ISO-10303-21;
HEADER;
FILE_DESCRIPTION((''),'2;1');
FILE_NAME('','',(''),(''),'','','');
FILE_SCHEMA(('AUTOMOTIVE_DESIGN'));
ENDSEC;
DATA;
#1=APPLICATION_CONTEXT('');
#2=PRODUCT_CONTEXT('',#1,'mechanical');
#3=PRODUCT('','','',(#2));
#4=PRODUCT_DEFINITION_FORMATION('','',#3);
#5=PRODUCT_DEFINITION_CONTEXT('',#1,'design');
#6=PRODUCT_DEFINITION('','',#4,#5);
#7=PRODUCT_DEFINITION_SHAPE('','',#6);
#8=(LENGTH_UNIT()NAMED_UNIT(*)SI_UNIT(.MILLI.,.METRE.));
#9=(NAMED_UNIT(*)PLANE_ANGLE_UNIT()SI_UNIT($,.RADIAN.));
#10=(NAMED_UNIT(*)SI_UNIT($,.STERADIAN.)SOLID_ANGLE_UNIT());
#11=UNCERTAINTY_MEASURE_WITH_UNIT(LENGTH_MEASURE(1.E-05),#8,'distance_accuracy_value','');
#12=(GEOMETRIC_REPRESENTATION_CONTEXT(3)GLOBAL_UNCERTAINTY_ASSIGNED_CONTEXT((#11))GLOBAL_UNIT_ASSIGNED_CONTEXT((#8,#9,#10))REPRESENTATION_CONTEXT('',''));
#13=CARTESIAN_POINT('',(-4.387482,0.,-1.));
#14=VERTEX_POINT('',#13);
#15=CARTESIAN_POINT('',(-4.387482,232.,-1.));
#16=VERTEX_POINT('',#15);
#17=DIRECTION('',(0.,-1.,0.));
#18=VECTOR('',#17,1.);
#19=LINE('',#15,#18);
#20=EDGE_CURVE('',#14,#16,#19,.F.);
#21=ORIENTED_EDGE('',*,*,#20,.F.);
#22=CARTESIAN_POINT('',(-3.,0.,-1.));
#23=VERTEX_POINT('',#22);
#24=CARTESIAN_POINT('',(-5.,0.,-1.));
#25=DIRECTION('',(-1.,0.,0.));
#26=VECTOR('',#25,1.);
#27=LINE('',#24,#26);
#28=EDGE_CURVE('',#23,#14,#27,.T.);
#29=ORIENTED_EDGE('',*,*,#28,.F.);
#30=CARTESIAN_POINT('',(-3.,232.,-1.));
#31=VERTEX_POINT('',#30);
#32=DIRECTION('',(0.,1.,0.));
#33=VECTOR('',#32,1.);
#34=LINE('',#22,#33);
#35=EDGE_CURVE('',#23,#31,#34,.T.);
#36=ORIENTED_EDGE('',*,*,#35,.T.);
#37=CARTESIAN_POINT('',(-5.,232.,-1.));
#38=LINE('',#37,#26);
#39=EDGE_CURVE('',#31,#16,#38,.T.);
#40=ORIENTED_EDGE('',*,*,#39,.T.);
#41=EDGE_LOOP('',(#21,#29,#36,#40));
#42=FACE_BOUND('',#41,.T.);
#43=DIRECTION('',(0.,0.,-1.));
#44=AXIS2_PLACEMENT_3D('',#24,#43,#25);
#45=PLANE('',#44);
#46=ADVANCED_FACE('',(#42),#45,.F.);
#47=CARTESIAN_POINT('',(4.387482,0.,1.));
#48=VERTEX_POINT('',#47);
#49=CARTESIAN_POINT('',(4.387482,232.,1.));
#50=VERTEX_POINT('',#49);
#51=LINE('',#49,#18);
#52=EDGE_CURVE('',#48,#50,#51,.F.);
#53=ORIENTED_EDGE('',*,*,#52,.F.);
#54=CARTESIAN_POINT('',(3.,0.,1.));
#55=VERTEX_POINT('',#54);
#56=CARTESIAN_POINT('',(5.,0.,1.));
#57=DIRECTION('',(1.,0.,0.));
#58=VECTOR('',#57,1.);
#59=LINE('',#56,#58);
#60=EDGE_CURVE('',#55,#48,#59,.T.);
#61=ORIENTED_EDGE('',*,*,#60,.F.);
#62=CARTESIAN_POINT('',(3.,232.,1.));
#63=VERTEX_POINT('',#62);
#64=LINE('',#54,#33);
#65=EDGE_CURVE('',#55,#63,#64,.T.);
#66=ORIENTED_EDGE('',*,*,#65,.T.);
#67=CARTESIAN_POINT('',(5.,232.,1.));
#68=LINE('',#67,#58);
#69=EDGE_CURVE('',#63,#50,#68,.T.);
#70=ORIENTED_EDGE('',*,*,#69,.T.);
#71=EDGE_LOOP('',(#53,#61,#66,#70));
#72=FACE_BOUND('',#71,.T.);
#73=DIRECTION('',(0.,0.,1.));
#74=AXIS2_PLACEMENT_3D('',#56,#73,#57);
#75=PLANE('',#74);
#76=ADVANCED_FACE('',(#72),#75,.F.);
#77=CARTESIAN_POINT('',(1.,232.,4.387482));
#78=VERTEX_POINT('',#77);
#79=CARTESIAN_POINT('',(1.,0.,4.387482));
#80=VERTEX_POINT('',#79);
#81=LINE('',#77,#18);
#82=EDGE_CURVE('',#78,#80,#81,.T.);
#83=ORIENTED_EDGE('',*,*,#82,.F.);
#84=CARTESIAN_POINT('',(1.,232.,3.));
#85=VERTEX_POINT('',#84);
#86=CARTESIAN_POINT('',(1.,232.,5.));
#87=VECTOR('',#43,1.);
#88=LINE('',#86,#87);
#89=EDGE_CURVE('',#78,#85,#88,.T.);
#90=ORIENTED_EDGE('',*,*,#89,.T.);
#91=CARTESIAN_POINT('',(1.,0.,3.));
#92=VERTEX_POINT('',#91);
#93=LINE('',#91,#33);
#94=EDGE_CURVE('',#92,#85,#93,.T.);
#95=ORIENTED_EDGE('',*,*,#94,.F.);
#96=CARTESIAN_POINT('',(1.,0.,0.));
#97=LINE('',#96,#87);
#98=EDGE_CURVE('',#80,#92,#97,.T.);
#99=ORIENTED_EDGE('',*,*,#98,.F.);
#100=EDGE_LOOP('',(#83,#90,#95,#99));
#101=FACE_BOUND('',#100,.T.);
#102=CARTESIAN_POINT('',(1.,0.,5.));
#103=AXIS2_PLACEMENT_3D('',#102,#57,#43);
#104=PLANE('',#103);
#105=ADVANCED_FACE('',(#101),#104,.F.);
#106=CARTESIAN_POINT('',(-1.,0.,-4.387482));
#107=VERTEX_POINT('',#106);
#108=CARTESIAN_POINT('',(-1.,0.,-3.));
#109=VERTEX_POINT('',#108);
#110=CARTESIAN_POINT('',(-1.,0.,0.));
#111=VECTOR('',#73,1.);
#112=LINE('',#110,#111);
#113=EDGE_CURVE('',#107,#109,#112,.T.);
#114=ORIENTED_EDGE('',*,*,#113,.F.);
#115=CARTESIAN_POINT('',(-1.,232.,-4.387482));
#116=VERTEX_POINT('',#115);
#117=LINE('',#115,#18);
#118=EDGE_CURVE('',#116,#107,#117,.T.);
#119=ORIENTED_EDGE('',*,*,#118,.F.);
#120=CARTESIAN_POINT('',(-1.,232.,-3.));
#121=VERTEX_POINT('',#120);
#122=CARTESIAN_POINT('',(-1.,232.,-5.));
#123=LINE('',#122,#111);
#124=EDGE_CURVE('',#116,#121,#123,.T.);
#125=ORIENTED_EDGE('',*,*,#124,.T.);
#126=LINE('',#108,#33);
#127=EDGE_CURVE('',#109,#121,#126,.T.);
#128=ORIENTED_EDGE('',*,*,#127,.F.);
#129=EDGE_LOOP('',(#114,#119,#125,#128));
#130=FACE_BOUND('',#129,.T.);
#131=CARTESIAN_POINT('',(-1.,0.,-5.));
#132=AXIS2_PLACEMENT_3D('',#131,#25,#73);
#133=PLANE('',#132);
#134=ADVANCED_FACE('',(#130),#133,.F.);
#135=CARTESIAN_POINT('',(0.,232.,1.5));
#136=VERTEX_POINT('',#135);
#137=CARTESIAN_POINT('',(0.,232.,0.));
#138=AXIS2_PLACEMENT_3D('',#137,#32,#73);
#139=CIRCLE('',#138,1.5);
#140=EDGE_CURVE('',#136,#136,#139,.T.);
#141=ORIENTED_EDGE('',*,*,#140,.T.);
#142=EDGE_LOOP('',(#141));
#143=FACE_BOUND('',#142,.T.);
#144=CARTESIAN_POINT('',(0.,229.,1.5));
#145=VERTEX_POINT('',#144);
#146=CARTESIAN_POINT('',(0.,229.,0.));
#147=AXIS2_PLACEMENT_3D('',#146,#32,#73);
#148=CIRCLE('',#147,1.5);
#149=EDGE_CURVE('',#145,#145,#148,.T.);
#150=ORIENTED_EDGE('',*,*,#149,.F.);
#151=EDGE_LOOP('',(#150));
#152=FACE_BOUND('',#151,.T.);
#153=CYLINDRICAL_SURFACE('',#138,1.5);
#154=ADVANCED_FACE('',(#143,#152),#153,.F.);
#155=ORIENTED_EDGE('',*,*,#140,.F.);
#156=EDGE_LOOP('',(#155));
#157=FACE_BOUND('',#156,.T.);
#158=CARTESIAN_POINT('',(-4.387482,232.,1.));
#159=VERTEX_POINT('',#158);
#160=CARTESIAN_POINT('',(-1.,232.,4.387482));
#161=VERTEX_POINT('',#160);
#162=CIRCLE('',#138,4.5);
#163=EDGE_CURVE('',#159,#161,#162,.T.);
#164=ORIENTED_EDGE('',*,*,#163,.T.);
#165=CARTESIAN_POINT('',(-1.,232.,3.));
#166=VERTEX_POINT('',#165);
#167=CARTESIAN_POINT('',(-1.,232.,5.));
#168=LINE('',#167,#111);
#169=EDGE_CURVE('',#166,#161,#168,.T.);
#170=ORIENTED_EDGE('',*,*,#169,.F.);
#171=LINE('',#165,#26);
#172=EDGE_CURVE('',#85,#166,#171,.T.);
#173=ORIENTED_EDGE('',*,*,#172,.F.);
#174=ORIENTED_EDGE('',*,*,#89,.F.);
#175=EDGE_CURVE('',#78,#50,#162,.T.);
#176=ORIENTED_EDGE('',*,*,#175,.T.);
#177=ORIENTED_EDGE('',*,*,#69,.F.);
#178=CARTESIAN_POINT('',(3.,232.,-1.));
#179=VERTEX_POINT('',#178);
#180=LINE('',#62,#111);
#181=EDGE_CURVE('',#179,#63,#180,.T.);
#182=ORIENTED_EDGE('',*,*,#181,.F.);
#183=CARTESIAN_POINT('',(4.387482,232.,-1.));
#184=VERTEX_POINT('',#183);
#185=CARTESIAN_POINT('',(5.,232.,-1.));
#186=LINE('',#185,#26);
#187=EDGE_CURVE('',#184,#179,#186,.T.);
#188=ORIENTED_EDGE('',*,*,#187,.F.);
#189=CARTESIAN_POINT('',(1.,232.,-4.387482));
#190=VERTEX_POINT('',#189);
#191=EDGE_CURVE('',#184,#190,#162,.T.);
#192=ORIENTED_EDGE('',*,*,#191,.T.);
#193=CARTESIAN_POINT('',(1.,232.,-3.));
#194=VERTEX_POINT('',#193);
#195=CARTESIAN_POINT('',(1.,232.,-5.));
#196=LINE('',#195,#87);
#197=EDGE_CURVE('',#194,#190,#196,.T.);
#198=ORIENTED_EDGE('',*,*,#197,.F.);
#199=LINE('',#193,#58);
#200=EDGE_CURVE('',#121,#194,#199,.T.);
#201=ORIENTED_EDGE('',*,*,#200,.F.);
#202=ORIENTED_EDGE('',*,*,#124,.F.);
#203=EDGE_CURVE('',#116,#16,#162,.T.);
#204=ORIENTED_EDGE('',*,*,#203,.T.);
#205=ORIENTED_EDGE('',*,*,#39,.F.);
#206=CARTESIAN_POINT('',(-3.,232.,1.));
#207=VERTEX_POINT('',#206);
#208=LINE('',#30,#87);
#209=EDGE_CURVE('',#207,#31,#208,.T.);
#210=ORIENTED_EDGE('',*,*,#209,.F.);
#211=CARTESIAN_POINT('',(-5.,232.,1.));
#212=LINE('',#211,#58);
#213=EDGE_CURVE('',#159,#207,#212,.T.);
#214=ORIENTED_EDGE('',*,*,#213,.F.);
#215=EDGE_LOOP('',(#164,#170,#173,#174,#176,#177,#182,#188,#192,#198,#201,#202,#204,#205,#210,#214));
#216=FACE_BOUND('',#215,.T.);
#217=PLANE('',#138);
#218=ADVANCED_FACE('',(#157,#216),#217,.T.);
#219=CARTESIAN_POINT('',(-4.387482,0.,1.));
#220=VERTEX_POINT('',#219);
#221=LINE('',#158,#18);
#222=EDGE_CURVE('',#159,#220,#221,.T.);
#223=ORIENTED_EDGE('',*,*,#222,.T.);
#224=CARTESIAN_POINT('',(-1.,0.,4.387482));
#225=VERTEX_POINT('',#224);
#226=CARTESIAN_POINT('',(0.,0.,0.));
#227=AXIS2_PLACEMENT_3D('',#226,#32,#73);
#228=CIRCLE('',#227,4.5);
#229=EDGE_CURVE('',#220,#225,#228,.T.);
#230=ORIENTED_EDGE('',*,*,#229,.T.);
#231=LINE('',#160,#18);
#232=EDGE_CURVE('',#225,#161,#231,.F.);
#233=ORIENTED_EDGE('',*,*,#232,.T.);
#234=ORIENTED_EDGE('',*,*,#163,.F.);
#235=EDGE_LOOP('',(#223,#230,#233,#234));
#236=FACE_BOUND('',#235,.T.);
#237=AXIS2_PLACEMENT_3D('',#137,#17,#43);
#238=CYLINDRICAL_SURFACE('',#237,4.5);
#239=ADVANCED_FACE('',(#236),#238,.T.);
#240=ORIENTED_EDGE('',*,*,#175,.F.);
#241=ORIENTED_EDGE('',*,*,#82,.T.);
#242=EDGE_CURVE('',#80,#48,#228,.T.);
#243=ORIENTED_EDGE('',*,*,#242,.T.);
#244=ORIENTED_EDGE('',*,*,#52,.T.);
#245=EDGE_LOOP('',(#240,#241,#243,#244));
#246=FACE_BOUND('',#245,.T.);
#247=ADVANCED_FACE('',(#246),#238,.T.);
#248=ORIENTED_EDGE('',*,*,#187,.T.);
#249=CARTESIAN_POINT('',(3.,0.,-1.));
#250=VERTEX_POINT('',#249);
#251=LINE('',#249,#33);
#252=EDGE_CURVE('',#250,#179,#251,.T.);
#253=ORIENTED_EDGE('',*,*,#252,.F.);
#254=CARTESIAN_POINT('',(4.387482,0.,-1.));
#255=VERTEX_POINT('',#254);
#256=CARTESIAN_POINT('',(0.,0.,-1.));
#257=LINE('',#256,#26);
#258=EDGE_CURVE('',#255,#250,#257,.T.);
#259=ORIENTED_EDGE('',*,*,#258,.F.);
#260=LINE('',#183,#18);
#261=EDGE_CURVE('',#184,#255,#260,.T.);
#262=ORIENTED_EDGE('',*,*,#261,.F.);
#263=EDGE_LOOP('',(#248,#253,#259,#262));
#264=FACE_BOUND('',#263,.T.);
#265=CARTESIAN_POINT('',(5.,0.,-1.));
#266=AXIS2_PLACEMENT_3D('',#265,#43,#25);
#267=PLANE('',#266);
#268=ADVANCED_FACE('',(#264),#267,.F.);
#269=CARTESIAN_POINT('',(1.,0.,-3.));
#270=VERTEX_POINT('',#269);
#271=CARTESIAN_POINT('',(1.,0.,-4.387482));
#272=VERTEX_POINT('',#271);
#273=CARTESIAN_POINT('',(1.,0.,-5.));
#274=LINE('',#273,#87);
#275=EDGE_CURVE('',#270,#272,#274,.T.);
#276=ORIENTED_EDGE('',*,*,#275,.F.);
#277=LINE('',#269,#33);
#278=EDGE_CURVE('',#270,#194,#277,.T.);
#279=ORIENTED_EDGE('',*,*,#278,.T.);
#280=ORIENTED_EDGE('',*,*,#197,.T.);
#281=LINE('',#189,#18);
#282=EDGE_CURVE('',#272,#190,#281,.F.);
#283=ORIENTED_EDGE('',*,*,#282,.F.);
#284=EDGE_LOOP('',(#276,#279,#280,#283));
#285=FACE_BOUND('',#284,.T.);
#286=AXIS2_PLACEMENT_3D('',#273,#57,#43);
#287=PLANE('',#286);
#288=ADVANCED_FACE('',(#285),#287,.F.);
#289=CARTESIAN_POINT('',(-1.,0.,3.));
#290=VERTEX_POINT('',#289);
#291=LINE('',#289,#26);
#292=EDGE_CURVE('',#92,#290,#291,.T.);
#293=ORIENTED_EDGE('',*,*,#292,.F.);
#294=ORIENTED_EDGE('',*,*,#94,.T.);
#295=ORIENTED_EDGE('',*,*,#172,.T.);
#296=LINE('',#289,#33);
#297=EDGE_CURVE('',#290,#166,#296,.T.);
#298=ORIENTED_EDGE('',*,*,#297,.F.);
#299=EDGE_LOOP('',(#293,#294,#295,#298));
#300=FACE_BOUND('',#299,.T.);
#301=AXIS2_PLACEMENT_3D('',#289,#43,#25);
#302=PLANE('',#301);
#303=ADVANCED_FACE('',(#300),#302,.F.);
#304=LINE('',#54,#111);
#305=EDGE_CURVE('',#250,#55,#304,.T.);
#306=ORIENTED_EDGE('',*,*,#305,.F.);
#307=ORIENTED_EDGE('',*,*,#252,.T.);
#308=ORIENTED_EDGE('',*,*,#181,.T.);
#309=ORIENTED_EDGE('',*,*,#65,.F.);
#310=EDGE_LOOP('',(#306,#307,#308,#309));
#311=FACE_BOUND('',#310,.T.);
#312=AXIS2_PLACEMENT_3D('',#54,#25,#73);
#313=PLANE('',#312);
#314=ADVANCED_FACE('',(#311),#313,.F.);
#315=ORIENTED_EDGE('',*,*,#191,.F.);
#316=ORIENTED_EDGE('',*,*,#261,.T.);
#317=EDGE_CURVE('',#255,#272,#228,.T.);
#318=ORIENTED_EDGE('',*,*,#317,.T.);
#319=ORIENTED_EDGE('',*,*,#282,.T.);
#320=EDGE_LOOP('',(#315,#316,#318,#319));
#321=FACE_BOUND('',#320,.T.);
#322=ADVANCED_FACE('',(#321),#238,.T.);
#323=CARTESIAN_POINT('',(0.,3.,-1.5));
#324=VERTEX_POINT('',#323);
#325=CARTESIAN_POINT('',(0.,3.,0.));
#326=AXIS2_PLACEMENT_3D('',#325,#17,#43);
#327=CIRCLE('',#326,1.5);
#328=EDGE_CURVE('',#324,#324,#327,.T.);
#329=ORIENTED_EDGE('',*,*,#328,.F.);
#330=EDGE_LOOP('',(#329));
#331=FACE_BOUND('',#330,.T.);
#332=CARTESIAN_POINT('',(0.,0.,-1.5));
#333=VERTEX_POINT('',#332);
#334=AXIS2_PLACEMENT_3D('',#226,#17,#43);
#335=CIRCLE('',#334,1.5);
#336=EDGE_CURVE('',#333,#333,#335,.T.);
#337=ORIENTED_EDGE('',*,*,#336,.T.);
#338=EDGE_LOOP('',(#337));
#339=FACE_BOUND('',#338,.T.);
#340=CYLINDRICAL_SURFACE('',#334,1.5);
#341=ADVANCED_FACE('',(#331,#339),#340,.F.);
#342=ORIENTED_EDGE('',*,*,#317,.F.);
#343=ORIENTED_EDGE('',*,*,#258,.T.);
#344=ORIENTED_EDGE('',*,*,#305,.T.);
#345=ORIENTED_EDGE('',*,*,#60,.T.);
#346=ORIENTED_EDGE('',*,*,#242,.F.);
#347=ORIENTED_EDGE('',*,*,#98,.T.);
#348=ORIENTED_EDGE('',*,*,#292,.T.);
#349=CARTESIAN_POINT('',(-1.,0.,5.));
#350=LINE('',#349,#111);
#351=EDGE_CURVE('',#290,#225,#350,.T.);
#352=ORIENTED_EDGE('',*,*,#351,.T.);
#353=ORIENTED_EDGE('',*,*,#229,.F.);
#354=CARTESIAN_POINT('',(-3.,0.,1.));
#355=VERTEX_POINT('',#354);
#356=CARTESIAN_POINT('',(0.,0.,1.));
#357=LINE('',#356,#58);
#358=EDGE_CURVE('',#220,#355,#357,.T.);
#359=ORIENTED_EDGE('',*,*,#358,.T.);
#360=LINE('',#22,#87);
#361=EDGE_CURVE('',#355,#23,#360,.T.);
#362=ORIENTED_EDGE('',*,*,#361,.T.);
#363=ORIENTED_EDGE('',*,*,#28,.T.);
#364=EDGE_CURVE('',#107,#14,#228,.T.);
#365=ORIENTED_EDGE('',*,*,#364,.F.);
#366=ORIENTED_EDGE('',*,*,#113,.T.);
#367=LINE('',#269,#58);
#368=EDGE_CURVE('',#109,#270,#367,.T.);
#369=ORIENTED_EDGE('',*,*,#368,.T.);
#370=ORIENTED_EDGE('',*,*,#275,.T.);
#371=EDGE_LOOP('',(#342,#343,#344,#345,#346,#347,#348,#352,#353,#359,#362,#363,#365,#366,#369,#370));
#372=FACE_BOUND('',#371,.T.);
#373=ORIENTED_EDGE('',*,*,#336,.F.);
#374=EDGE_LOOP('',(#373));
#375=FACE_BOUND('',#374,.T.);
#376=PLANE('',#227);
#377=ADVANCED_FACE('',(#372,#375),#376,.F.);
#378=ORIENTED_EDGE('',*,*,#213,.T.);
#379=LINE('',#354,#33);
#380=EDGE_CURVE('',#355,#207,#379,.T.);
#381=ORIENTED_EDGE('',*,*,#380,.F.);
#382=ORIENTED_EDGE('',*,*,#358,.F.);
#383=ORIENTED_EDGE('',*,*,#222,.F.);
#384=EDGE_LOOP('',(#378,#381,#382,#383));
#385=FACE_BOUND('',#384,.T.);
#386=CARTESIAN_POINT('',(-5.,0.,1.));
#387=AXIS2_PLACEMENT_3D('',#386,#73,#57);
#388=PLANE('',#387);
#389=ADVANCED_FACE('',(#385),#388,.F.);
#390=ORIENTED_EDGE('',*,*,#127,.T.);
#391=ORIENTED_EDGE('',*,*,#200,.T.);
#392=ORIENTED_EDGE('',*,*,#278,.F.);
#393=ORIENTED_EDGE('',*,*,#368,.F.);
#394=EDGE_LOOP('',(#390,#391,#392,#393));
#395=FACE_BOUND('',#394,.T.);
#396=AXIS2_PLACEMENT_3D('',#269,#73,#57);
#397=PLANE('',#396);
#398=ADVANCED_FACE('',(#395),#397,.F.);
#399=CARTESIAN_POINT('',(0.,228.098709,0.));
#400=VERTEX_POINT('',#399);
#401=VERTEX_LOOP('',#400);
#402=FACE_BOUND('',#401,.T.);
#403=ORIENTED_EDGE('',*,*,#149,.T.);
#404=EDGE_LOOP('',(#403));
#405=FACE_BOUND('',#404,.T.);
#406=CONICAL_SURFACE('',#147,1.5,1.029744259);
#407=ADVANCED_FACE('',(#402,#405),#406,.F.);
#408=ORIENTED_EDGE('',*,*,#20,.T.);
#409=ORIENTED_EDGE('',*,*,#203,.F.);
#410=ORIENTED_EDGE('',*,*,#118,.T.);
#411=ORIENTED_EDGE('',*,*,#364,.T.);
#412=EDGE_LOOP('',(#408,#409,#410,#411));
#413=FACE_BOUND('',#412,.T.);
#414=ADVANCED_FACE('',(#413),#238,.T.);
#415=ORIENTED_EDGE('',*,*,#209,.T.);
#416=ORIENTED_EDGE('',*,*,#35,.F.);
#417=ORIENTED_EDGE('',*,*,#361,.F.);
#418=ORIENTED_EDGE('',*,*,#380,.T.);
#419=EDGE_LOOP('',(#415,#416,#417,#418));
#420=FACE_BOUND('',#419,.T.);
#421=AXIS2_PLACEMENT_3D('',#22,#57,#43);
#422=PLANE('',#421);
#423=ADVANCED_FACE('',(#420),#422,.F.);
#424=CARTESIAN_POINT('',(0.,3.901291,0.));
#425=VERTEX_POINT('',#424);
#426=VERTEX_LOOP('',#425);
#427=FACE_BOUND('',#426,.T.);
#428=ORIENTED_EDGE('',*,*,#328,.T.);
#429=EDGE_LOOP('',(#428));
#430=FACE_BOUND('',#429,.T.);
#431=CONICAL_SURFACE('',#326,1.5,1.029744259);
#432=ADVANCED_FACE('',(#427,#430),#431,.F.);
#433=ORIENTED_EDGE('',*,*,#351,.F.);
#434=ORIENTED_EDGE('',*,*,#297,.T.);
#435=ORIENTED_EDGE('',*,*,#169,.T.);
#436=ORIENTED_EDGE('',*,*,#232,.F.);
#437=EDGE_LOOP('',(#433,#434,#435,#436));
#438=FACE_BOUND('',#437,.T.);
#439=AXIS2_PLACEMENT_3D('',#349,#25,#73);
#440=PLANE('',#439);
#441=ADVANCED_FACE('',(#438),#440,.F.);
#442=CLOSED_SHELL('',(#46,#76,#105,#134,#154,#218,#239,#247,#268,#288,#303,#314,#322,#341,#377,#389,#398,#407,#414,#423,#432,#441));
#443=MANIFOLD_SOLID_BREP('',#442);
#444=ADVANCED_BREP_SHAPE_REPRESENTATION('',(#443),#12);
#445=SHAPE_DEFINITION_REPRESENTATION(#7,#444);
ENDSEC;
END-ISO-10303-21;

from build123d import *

# Parameters (mm, degrees)
SKETCH1_R                 = 4.5
BOSS_EXTRUDE1_DEPTH       = 232
F_3_0MM_DOWEL_HOLE1_D     = 3
F_3_0MM_DOWEL_HOLE1_DEPTH = 3
F_3_0MM_DOWEL_HOLE1_TIP   = 0.901290929
F_3_0MM_DOWEL_HOLE2_D     = 3
F_3_0MM_DOWEL_HOLE2_DEPTH = 3
F_3_0MM_DOWEL_HOLE2_TIP   = 0.901290929
SKETCH6_W                 = 2
SKETCH6_H                 = 2
CUT_EXTRUDE1_DEPTH        = 233.08726807
CIRPATTERN1_COUNT         = 4


with BuildPart() as part:
    # Sketch1 → Boss-Extrude1 (new body)
    with BuildSketch(Plane(origin=(0, 0, 0), x_dir=(1, 0, 0), z_dir=(0, 1, 0))):
        with Locations(Location((0, 0, 0), (0, 0, 90))):
            Circle(SKETCH1_R)
    extrude(amount=BOSS_EXTRUDE1_DEPTH)

    # Ø3.0mm Dowel Hole1
    with Locations(Plane.XZ):
        with Locations((0, 0)):
            Hole(F_3_0MM_DOWEL_HOLE1_D / 2, depth=F_3_0MM_DOWEL_HOLE1_DEPTH)
            with Locations((0, 0, -(F_3_0MM_DOWEL_HOLE1_DEPTH + F_3_0MM_DOWEL_HOLE1_TIP / 2))):  # 118° drill point
                Cone(0, F_3_0MM_DOWEL_HOLE1_D / 2, F_3_0MM_DOWEL_HOLE1_TIP, mode=Mode.SUBTRACT)

    # Ø3.0mm Dowel Hole2
    with Locations(Plane(origin=(0, 232, 0), x_dir=(1, 0, 0), z_dir=(0, 1, 0))):
        with Locations((0, 0)):
            Hole(F_3_0MM_DOWEL_HOLE2_D / 2, depth=F_3_0MM_DOWEL_HOLE2_DEPTH)
            with Locations((0, 0, -(F_3_0MM_DOWEL_HOLE2_DEPTH + F_3_0MM_DOWEL_HOLE2_TIP / 2))):  # 118° drill point
                Cone(0, F_3_0MM_DOWEL_HOLE2_D / 2, F_3_0MM_DOWEL_HOLE2_TIP, mode=Mode.SUBTRACT)

    # Sketch6 → Cut-Extrude1 (cut, through all)
    with BuildSketch(Plane(origin=(0, 232, 0), x_dir=(1, 0, 0), z_dir=(0, 1, 0))):
        with Locations((-4, 0)):
            Rectangle(SKETCH6_W, SKETCH6_H)
    cut_extrude1 = extrude(amount=-CUT_EXTRUDE1_DEPTH, mode=Mode.SUBTRACT)

    # CirPattern1: Cut-Extrude1 ×4 about axis
    cirpattern1_axis = Axis((0, 0, 0), (0, 1, 0))
    for i in range(1, CIRPATTERN1_COUNT):
        add(cut_extrude1.rotate(cirpattern1_axis, i * 360 / CIRPATTERN1_COUNT), mode=Mode.SUBTRACT)


solid = part.part
